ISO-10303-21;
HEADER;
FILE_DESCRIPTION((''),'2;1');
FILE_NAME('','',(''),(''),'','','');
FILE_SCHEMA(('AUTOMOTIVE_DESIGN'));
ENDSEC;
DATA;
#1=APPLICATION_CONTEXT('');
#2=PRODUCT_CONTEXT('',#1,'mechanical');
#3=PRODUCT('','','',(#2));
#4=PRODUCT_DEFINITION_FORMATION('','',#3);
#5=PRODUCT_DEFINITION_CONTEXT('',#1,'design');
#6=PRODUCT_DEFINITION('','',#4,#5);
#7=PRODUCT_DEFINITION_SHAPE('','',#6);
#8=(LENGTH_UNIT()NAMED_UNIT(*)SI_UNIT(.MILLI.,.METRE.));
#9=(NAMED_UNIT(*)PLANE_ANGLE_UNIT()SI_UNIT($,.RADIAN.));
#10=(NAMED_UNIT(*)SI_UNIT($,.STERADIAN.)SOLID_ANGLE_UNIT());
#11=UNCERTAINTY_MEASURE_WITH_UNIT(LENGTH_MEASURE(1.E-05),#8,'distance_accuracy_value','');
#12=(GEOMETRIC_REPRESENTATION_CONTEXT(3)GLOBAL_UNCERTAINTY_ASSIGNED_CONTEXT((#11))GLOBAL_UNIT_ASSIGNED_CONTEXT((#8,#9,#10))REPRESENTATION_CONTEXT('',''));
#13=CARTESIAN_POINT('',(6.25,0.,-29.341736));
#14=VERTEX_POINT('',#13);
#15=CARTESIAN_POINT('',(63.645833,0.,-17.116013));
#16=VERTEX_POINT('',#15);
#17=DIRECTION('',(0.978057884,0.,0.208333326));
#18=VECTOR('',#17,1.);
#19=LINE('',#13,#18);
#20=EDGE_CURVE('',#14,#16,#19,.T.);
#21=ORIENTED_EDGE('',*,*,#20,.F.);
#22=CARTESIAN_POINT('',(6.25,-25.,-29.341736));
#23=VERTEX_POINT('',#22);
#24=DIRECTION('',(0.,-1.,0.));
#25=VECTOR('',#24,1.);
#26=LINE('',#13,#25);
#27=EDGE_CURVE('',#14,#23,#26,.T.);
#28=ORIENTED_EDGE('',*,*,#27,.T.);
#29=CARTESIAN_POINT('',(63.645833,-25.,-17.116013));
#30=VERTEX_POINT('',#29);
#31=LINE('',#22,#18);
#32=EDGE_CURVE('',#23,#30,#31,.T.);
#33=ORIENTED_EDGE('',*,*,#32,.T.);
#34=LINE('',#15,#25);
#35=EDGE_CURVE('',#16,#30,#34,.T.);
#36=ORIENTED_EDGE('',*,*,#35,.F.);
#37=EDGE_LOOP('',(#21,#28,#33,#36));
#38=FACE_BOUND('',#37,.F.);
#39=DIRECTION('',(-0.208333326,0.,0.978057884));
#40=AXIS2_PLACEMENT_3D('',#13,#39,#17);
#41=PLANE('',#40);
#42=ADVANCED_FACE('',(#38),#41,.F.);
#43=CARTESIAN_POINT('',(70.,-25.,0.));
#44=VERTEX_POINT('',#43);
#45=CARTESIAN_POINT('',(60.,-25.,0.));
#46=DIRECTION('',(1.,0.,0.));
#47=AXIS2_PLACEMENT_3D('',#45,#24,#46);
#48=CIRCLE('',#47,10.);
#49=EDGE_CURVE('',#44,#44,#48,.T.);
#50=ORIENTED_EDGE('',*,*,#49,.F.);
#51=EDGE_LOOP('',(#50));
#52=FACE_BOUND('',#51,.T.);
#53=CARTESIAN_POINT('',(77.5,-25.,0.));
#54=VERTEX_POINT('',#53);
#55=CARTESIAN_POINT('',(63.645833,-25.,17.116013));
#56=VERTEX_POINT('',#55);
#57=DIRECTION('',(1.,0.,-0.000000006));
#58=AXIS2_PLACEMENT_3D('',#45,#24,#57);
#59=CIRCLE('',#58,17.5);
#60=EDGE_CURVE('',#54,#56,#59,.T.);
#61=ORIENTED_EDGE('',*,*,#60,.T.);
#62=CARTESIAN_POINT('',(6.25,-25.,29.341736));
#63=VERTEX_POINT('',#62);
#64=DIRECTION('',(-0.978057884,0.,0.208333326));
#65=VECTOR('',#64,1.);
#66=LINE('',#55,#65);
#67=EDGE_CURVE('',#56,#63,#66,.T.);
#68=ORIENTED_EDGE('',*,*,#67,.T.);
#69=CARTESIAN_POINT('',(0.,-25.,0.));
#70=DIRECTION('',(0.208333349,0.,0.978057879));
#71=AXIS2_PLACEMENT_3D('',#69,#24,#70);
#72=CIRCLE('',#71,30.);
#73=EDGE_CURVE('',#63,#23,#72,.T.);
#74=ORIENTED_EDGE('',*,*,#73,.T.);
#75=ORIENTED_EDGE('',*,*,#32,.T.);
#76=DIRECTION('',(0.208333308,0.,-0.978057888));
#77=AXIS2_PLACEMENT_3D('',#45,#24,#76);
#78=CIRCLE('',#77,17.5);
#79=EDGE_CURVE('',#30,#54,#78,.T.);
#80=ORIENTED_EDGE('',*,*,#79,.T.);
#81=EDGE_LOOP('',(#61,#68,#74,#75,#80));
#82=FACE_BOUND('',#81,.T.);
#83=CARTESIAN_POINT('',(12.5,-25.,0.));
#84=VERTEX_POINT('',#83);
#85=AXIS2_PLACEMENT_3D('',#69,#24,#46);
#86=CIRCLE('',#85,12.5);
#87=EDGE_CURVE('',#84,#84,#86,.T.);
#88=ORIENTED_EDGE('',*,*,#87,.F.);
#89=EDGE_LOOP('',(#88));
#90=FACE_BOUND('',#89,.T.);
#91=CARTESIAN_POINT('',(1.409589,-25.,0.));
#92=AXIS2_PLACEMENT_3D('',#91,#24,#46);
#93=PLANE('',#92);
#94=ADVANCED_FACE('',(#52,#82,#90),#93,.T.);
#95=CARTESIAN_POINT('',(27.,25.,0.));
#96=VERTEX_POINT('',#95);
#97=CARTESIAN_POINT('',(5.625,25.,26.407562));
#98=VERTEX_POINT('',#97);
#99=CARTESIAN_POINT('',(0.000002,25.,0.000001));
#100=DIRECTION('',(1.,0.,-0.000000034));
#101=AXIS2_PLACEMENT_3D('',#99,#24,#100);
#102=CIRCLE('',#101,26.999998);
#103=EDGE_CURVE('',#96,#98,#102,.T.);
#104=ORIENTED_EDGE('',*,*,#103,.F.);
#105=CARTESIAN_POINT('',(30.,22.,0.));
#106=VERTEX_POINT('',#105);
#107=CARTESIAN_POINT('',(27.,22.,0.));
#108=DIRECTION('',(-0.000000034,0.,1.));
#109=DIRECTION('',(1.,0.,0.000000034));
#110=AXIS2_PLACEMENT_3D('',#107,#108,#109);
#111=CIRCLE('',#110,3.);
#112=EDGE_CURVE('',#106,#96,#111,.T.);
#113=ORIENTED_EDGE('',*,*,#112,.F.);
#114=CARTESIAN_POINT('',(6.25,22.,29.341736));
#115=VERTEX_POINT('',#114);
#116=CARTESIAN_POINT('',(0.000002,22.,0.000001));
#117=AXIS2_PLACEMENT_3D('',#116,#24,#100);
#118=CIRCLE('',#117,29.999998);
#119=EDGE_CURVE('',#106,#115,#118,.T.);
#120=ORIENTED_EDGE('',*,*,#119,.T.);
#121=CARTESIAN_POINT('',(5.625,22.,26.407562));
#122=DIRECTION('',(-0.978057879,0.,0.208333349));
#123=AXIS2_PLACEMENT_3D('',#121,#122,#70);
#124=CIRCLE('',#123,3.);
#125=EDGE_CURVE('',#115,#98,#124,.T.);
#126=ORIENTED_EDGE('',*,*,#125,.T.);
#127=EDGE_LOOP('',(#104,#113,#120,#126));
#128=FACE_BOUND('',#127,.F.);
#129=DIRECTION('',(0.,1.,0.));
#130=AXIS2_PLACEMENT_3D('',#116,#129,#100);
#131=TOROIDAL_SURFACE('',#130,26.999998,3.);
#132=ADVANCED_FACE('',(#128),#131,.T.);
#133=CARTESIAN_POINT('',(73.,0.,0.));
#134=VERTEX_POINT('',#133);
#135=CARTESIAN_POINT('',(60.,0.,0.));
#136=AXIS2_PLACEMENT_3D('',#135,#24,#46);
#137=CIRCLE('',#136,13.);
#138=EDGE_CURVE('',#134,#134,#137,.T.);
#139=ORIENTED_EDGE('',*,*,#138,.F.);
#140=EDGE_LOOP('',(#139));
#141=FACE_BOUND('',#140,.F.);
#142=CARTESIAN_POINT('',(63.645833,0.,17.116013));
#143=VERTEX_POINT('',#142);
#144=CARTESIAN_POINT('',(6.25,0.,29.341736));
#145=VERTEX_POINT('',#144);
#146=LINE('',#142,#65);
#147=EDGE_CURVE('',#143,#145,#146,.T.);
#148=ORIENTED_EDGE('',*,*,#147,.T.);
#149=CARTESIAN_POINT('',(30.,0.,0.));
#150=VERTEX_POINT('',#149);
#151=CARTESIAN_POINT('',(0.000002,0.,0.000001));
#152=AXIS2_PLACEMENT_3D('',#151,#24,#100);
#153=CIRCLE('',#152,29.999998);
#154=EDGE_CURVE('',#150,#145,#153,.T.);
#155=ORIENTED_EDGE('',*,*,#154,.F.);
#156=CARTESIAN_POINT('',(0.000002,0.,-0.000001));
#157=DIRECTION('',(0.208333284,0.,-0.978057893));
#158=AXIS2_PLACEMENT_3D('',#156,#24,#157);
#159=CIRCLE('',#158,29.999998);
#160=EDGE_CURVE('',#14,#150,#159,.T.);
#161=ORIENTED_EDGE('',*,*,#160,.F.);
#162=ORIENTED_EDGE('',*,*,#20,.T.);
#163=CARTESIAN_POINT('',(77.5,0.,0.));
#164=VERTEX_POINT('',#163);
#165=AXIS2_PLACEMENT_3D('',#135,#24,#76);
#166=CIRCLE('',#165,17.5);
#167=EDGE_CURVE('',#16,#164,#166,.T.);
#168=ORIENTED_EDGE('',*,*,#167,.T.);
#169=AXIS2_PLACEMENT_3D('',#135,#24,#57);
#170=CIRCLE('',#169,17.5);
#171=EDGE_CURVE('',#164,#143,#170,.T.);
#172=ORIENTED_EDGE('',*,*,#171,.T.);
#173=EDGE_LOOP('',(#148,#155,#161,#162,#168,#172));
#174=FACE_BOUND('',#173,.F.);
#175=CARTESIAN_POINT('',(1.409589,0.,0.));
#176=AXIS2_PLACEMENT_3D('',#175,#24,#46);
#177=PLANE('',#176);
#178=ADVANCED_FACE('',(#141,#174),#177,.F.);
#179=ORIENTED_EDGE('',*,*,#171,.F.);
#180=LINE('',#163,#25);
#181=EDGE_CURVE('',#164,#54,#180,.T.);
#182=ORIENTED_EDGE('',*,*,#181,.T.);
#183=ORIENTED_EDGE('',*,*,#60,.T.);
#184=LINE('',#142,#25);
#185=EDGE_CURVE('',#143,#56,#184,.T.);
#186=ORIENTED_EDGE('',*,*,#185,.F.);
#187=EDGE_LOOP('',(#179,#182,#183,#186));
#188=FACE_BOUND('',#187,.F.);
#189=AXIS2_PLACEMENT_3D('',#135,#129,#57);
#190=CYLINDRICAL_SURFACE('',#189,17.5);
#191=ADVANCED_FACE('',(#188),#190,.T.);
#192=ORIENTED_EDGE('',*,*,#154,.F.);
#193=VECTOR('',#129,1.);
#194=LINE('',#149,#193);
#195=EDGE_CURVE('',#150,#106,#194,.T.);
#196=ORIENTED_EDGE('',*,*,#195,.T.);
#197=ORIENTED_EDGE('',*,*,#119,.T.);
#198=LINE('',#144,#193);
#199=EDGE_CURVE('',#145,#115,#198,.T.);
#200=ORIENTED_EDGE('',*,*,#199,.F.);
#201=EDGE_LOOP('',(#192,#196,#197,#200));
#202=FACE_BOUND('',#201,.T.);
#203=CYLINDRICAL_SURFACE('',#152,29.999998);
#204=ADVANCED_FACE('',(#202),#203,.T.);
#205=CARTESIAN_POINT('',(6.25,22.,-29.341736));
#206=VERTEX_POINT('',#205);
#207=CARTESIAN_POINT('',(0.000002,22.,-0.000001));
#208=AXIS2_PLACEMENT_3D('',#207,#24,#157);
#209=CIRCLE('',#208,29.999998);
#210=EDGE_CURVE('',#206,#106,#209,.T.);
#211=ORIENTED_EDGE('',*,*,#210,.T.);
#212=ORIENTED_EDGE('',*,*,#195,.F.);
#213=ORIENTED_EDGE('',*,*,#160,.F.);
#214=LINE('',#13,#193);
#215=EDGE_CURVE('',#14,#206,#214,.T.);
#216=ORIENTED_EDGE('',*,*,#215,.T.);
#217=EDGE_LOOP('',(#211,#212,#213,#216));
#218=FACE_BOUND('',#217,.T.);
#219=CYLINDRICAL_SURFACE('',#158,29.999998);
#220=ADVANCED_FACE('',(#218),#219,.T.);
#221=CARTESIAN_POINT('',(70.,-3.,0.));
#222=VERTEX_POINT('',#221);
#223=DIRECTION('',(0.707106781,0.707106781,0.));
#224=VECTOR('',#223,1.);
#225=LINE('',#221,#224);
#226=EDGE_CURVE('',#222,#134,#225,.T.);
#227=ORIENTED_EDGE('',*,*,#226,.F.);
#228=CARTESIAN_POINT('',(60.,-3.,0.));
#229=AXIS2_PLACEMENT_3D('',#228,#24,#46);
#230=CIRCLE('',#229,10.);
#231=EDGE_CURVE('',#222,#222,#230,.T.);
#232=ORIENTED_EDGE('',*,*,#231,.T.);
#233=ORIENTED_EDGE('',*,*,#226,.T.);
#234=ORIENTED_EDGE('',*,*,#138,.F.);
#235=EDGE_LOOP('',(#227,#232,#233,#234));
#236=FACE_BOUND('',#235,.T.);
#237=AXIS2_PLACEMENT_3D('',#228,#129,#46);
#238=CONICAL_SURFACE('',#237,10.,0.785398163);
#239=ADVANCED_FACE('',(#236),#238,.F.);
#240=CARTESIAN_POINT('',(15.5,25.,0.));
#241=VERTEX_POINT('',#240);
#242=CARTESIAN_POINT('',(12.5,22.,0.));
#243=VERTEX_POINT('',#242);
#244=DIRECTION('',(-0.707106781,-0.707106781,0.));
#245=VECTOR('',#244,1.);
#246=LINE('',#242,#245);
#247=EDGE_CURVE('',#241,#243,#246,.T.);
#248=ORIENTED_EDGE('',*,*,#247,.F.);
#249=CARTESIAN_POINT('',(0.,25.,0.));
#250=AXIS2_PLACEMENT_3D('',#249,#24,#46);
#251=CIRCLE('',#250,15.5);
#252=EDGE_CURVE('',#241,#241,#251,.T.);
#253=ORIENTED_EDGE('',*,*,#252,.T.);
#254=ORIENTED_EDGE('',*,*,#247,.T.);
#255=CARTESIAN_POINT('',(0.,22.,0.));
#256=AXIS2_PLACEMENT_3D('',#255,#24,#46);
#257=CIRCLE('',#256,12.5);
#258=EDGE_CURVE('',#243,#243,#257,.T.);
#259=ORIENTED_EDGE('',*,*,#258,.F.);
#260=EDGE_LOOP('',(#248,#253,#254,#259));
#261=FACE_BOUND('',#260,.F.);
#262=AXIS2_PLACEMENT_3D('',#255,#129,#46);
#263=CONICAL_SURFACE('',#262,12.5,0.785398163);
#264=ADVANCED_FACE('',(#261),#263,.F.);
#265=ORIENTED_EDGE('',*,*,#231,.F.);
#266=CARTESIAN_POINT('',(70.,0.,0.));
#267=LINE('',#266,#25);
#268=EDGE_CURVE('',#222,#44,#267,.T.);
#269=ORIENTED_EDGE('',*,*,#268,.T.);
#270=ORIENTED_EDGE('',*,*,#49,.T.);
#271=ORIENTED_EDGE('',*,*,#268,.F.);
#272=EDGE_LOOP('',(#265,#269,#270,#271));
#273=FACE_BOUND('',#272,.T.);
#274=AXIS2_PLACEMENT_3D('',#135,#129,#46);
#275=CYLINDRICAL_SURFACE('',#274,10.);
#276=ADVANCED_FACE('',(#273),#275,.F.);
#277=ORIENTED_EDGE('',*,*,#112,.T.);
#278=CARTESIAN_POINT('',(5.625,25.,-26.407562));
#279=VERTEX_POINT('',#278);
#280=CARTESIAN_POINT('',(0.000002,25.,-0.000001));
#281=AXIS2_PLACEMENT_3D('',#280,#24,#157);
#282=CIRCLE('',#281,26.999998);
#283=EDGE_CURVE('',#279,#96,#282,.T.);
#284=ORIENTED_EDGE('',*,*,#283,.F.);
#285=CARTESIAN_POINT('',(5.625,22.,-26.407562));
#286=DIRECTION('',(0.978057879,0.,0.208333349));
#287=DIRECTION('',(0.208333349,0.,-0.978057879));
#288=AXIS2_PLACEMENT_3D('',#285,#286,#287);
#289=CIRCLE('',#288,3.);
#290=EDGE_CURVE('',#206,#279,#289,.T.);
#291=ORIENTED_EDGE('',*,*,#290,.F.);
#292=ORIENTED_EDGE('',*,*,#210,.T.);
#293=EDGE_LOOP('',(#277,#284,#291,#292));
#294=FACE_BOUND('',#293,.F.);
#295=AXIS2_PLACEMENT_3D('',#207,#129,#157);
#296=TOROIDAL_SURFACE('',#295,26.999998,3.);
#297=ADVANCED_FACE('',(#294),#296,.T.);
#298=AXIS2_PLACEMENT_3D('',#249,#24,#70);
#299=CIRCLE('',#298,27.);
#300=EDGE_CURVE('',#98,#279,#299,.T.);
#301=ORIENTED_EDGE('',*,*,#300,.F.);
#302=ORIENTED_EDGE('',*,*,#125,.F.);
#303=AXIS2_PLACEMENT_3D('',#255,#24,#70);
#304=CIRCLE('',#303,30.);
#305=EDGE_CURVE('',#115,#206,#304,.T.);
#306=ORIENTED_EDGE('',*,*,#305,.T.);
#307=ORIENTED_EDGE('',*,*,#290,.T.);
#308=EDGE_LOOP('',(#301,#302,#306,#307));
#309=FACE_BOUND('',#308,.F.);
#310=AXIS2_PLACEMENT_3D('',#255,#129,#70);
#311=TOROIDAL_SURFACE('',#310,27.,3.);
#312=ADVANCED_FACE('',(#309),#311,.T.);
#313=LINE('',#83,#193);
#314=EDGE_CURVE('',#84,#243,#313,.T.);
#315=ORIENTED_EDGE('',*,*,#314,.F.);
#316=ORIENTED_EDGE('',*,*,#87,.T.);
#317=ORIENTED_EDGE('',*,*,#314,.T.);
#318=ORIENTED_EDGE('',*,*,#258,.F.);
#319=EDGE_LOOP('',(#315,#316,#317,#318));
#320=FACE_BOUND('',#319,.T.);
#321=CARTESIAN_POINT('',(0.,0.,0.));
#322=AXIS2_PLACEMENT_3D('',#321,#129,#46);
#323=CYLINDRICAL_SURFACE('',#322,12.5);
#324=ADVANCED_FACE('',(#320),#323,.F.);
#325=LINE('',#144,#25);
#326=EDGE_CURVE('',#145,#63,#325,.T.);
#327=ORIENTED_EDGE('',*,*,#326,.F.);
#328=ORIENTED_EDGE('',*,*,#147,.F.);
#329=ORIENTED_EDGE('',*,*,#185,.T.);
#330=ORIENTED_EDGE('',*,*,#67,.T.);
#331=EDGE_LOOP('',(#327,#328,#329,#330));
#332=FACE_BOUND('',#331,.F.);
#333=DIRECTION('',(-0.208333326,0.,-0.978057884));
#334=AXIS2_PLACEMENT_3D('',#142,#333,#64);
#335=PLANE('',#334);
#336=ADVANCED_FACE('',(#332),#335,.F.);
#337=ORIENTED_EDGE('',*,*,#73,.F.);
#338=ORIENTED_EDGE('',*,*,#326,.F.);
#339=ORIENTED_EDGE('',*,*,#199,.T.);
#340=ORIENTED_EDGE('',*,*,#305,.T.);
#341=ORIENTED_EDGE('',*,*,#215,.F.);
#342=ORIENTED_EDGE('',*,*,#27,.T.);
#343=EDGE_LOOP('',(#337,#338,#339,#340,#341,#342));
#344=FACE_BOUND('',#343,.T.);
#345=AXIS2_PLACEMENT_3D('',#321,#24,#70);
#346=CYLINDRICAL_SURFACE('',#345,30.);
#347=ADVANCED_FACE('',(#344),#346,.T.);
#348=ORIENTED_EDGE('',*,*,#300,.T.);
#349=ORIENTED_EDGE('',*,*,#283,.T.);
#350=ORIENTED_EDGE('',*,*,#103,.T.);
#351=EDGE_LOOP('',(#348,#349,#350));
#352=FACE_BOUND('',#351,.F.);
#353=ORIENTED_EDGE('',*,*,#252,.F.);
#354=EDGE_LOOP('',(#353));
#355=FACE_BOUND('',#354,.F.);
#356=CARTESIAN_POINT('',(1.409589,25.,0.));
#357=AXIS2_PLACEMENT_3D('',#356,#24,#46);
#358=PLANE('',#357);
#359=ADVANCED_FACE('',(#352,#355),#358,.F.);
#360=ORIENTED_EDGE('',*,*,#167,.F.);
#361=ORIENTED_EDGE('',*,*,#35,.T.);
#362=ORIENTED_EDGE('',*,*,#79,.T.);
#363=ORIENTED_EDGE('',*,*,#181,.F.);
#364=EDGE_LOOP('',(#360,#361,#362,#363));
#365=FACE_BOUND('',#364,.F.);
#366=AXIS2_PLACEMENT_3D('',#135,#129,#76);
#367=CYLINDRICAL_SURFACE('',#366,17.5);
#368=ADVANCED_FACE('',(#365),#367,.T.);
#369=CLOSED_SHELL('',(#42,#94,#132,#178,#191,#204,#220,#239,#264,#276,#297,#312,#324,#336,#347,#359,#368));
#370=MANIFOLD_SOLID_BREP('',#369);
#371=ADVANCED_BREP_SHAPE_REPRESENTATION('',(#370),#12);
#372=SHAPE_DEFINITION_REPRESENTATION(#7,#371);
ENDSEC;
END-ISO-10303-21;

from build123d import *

# Parameters (mm, degrees)
F0_R     = 12.5
F0_R_2   = 10
F1_DEPTH = 25
F2_DEPTH = 25
F3_R     = 3
F4_SIZE  = 3


with BuildPart() as f1:
    # F0 (on Front) → F1 (new body)
    with BuildSketch(Plane.XZ):
        with BuildLine():
            ThreePointArc((6.25, -29.341736), (23.318448, -18.874586), (30, 0))
            ThreePointArc((30, 0), (23.318448, 18.874586), (6.25, 29.341736))
            ThreePointArc((6.25, 29.341736), (-30, 0), (6.25, -29.341736))
        make_face()
        Circle(F0_R, mode=Mode.SUBTRACT)
        with BuildLine():
            ThreePointArc((6.25, 29.341736), (23.318448, 18.874586), (30, 0))
            ThreePointArc((30, 0), (23.318448, -18.874586), (6.25, -29.341736))
            Line((6.25, -29.341736), (63.645833, -17.116013))
            ThreePointArc((63.645833, -17.116013), (42.5, 0), (63.645833, 17.116013))
            Line((63.645833, 17.116013), (6.25, 29.341736))
        make_face()
        with BuildLine():
            ThreePointArc((77.5, 0), (73.602428, 11.010175), (63.645833, 17.116013))
            ThreePointArc((63.645833, 17.116013), (42.5, 0), (63.645833, -17.116013))
            ThreePointArc((63.645833, -17.116013), (73.602428, -11.010175), (77.5, 0))
        make_face()
        with Locations((60, 0)):
            Circle(F0_R_2, mode=Mode.SUBTRACT)
    extrude(amount=F1_DEPTH)

    # F0 (on Front) → F2 (join)
    with BuildSketch(Plane.XZ):
        with BuildLine():
            ThreePointArc((6.25, -29.341736), (23.318448, -18.874586), (30, 0))
            ThreePointArc((30, 0), (23.318448, 18.874586), (6.25, 29.341736))
            ThreePointArc((6.25, 29.341736), (-30, 0), (6.25, -29.341736))
        make_face()
        Circle(F0_R, mode=Mode.SUBTRACT)
    extrude(amount=-F2_DEPTH)

    # F3
    f3_edges = [f1.edges().sort_by_distance(p)[0] for p in [
        (-6.25, 25, 29.341736),
    ]]
    fillet(f3_edges, radius=F3_R)

    # F4
    f4_edges = [f1.edges().sort_by_distance(p)[0] for p in [
        (-12.5, 25, 0),
        (50, 0, 0),
    ]]
    chamfer(f4_edges, length=F4_SIZE)


solid = f1.part
